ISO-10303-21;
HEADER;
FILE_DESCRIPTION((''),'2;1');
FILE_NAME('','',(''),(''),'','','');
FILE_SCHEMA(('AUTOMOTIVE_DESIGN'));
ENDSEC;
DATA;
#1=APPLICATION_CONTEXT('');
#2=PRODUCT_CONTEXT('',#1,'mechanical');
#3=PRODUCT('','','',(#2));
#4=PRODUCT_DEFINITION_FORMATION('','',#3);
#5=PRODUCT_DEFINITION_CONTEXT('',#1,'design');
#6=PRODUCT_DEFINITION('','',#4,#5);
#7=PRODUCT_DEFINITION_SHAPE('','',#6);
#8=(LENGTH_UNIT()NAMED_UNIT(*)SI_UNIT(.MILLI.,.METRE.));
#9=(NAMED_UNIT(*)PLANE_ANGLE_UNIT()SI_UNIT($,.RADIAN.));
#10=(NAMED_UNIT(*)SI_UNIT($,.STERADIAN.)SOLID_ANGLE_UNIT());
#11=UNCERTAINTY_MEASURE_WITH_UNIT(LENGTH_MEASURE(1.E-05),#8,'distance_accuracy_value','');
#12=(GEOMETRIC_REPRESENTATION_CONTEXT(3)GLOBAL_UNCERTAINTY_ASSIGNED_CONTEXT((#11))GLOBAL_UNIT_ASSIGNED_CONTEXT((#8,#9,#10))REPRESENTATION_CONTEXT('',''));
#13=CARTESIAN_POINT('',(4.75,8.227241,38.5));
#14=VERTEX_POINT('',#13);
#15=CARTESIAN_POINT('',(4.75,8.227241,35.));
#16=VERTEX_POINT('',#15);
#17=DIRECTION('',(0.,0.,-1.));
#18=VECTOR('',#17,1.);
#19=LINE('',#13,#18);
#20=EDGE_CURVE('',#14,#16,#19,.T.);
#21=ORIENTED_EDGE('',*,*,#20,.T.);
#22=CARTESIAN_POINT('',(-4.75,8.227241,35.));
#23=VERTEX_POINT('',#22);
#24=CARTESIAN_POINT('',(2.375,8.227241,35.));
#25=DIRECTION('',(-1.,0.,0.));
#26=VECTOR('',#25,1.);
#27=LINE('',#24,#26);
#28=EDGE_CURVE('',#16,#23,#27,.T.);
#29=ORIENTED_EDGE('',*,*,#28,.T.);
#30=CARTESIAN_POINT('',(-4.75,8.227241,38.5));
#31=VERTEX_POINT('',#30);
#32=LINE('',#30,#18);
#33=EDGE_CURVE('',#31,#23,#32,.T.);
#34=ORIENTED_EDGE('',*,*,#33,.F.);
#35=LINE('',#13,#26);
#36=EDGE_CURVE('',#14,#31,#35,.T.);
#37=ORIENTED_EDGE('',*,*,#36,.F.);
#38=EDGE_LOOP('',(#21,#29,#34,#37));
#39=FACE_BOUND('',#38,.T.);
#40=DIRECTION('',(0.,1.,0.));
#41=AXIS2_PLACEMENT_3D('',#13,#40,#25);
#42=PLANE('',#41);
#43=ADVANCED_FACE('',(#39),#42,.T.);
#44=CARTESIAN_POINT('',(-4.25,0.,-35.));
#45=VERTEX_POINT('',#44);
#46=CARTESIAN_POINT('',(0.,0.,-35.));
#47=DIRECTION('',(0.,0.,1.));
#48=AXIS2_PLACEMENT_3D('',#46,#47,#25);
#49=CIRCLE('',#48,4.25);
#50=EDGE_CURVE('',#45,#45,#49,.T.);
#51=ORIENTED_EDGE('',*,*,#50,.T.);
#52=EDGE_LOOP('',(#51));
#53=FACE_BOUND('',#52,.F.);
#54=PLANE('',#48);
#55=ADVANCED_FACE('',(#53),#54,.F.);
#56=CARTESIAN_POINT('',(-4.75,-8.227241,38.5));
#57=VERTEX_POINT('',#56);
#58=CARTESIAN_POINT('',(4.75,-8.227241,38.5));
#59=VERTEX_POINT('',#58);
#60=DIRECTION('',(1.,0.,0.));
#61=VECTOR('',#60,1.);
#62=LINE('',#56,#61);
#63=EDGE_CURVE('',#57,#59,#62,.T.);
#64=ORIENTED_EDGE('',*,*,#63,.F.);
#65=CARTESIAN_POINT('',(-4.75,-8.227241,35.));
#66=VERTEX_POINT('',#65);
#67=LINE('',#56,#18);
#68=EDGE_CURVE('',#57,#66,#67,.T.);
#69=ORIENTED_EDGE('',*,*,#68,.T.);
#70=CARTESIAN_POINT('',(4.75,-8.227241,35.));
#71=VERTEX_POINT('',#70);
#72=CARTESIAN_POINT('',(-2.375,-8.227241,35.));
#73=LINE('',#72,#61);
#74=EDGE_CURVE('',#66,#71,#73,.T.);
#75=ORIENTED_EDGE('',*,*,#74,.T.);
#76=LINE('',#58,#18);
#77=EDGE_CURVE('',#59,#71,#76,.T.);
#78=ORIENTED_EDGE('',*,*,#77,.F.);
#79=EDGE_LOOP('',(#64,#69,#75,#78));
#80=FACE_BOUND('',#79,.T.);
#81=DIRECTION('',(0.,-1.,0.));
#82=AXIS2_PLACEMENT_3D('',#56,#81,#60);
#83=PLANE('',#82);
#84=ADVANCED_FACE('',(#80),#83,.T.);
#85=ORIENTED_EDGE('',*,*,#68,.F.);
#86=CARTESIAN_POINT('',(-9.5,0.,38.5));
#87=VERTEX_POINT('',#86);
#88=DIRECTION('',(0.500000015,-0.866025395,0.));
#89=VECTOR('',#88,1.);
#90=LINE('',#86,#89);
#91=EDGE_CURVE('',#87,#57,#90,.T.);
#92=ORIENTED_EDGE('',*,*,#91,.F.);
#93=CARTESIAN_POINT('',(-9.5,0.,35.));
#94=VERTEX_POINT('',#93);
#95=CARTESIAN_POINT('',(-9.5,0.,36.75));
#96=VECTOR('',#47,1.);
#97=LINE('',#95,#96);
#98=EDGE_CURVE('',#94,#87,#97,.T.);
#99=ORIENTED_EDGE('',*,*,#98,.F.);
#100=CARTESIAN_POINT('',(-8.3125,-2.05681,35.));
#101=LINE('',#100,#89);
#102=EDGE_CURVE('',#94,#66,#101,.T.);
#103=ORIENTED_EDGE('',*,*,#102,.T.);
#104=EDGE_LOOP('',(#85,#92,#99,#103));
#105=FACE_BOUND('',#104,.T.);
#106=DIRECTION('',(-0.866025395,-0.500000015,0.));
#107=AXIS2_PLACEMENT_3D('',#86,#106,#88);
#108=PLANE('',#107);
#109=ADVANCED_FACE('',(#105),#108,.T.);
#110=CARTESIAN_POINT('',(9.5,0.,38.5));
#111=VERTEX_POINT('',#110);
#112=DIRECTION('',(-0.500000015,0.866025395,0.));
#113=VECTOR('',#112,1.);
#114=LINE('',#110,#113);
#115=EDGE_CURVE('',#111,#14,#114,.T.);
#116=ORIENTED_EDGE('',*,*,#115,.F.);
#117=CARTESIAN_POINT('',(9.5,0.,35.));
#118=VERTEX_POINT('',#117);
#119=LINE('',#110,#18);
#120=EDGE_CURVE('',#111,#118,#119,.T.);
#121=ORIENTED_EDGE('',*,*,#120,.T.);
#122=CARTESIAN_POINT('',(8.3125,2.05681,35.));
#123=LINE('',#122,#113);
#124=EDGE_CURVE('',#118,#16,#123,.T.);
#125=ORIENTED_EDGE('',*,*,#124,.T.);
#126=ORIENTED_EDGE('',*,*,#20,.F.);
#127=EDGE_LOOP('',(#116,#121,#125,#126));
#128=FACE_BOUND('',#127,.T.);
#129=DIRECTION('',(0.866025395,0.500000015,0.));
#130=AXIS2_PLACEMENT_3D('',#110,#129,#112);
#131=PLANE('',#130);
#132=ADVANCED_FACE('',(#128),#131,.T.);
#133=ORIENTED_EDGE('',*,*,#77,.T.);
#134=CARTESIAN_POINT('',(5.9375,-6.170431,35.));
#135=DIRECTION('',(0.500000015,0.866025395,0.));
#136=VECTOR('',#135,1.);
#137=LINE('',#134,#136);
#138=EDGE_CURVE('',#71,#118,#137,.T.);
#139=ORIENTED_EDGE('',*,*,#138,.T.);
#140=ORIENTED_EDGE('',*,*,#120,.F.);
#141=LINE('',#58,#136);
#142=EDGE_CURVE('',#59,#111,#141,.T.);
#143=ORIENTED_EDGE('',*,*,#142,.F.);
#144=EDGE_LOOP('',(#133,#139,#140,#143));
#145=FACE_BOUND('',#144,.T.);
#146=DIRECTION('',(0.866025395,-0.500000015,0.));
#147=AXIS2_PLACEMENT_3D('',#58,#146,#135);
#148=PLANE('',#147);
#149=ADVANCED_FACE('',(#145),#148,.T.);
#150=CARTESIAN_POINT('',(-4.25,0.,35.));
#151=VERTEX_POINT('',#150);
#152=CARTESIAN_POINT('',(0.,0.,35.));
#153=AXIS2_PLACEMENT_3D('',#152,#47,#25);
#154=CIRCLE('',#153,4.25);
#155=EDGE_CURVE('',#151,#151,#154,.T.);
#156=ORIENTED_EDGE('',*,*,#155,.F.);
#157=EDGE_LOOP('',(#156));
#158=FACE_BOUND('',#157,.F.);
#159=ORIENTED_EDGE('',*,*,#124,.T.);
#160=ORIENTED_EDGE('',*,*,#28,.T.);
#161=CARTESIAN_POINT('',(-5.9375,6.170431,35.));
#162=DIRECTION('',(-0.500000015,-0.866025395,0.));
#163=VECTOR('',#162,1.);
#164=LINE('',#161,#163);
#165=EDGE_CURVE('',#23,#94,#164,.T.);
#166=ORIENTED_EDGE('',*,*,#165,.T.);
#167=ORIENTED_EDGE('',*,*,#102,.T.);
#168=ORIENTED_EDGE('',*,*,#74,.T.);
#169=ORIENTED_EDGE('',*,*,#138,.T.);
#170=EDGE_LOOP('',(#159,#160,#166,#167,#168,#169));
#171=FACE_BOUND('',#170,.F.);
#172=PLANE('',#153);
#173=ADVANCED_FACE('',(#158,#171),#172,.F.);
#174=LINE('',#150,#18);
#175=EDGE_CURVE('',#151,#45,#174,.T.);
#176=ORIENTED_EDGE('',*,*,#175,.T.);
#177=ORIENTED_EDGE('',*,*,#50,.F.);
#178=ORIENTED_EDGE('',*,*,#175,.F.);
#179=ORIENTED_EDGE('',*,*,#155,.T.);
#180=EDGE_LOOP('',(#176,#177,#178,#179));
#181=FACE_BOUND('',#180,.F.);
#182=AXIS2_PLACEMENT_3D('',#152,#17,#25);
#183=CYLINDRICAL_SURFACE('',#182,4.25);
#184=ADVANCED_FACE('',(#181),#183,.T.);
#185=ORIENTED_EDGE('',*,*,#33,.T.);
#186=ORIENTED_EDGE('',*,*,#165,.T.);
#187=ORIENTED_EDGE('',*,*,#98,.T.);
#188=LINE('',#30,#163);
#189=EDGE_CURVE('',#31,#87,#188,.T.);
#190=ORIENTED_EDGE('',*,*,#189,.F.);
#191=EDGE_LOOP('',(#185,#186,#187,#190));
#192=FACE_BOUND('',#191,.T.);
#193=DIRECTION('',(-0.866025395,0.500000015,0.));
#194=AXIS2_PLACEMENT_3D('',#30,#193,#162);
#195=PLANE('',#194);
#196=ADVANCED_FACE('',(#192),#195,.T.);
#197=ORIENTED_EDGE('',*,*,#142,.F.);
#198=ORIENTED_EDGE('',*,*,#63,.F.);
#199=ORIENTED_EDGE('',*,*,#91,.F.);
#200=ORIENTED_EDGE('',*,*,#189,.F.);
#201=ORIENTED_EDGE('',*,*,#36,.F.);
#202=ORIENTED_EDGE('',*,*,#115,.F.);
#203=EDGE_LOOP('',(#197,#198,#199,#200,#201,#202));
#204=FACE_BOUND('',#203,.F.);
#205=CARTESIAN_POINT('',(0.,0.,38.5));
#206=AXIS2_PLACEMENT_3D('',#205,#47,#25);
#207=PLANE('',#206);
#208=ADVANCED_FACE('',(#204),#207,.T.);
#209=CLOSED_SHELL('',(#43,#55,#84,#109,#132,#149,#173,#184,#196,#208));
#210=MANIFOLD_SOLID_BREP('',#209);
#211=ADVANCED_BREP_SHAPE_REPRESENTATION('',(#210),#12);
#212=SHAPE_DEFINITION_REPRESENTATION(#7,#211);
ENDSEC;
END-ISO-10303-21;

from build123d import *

# Parameters (mm, degrees)
F0_W     = 2
F0_H     = 3.5
F0_W_2   = 4.25
F0_H_2   = 36
F0_H_3   = 34
F3_DEPTH = 73.5


with BuildPart() as f1:
    # F0 (on Front) → F1 (revolve)
    with BuildSketch(Plane.XZ):
        Polygon((-4.25, 35), (0, 35), (0, 38.5), (-7.5, 38.5), (-7.5, 35), align=None)
        with Locations((-8.5, 36.75)):
            Rectangle(F0_W, F0_H)
        with Locations((-2.125, 17)):
            Rectangle(F0_W_2, F0_H_2)
        with Locations((-2.125, -18)):
            Rectangle(F0_W_2, F0_H_3)
    revolve(axis=Axis((0, 0, 36.75), (0, 0, 1)))

    # F2 (on face) → F3 (intersect, through all)
    with BuildSketch(Plane.XY.offset(38.5)):
        Polygon((4.75, -8.227241), (9.5, 0), (4.75, 8.227241), (-4.75, 8.227241), (-9.5, 0), (-4.75, -8.227241), align=None)
    extrude(amount=-F3_DEPTH, mode=Mode.INTERSECT)


solid = f1.part
